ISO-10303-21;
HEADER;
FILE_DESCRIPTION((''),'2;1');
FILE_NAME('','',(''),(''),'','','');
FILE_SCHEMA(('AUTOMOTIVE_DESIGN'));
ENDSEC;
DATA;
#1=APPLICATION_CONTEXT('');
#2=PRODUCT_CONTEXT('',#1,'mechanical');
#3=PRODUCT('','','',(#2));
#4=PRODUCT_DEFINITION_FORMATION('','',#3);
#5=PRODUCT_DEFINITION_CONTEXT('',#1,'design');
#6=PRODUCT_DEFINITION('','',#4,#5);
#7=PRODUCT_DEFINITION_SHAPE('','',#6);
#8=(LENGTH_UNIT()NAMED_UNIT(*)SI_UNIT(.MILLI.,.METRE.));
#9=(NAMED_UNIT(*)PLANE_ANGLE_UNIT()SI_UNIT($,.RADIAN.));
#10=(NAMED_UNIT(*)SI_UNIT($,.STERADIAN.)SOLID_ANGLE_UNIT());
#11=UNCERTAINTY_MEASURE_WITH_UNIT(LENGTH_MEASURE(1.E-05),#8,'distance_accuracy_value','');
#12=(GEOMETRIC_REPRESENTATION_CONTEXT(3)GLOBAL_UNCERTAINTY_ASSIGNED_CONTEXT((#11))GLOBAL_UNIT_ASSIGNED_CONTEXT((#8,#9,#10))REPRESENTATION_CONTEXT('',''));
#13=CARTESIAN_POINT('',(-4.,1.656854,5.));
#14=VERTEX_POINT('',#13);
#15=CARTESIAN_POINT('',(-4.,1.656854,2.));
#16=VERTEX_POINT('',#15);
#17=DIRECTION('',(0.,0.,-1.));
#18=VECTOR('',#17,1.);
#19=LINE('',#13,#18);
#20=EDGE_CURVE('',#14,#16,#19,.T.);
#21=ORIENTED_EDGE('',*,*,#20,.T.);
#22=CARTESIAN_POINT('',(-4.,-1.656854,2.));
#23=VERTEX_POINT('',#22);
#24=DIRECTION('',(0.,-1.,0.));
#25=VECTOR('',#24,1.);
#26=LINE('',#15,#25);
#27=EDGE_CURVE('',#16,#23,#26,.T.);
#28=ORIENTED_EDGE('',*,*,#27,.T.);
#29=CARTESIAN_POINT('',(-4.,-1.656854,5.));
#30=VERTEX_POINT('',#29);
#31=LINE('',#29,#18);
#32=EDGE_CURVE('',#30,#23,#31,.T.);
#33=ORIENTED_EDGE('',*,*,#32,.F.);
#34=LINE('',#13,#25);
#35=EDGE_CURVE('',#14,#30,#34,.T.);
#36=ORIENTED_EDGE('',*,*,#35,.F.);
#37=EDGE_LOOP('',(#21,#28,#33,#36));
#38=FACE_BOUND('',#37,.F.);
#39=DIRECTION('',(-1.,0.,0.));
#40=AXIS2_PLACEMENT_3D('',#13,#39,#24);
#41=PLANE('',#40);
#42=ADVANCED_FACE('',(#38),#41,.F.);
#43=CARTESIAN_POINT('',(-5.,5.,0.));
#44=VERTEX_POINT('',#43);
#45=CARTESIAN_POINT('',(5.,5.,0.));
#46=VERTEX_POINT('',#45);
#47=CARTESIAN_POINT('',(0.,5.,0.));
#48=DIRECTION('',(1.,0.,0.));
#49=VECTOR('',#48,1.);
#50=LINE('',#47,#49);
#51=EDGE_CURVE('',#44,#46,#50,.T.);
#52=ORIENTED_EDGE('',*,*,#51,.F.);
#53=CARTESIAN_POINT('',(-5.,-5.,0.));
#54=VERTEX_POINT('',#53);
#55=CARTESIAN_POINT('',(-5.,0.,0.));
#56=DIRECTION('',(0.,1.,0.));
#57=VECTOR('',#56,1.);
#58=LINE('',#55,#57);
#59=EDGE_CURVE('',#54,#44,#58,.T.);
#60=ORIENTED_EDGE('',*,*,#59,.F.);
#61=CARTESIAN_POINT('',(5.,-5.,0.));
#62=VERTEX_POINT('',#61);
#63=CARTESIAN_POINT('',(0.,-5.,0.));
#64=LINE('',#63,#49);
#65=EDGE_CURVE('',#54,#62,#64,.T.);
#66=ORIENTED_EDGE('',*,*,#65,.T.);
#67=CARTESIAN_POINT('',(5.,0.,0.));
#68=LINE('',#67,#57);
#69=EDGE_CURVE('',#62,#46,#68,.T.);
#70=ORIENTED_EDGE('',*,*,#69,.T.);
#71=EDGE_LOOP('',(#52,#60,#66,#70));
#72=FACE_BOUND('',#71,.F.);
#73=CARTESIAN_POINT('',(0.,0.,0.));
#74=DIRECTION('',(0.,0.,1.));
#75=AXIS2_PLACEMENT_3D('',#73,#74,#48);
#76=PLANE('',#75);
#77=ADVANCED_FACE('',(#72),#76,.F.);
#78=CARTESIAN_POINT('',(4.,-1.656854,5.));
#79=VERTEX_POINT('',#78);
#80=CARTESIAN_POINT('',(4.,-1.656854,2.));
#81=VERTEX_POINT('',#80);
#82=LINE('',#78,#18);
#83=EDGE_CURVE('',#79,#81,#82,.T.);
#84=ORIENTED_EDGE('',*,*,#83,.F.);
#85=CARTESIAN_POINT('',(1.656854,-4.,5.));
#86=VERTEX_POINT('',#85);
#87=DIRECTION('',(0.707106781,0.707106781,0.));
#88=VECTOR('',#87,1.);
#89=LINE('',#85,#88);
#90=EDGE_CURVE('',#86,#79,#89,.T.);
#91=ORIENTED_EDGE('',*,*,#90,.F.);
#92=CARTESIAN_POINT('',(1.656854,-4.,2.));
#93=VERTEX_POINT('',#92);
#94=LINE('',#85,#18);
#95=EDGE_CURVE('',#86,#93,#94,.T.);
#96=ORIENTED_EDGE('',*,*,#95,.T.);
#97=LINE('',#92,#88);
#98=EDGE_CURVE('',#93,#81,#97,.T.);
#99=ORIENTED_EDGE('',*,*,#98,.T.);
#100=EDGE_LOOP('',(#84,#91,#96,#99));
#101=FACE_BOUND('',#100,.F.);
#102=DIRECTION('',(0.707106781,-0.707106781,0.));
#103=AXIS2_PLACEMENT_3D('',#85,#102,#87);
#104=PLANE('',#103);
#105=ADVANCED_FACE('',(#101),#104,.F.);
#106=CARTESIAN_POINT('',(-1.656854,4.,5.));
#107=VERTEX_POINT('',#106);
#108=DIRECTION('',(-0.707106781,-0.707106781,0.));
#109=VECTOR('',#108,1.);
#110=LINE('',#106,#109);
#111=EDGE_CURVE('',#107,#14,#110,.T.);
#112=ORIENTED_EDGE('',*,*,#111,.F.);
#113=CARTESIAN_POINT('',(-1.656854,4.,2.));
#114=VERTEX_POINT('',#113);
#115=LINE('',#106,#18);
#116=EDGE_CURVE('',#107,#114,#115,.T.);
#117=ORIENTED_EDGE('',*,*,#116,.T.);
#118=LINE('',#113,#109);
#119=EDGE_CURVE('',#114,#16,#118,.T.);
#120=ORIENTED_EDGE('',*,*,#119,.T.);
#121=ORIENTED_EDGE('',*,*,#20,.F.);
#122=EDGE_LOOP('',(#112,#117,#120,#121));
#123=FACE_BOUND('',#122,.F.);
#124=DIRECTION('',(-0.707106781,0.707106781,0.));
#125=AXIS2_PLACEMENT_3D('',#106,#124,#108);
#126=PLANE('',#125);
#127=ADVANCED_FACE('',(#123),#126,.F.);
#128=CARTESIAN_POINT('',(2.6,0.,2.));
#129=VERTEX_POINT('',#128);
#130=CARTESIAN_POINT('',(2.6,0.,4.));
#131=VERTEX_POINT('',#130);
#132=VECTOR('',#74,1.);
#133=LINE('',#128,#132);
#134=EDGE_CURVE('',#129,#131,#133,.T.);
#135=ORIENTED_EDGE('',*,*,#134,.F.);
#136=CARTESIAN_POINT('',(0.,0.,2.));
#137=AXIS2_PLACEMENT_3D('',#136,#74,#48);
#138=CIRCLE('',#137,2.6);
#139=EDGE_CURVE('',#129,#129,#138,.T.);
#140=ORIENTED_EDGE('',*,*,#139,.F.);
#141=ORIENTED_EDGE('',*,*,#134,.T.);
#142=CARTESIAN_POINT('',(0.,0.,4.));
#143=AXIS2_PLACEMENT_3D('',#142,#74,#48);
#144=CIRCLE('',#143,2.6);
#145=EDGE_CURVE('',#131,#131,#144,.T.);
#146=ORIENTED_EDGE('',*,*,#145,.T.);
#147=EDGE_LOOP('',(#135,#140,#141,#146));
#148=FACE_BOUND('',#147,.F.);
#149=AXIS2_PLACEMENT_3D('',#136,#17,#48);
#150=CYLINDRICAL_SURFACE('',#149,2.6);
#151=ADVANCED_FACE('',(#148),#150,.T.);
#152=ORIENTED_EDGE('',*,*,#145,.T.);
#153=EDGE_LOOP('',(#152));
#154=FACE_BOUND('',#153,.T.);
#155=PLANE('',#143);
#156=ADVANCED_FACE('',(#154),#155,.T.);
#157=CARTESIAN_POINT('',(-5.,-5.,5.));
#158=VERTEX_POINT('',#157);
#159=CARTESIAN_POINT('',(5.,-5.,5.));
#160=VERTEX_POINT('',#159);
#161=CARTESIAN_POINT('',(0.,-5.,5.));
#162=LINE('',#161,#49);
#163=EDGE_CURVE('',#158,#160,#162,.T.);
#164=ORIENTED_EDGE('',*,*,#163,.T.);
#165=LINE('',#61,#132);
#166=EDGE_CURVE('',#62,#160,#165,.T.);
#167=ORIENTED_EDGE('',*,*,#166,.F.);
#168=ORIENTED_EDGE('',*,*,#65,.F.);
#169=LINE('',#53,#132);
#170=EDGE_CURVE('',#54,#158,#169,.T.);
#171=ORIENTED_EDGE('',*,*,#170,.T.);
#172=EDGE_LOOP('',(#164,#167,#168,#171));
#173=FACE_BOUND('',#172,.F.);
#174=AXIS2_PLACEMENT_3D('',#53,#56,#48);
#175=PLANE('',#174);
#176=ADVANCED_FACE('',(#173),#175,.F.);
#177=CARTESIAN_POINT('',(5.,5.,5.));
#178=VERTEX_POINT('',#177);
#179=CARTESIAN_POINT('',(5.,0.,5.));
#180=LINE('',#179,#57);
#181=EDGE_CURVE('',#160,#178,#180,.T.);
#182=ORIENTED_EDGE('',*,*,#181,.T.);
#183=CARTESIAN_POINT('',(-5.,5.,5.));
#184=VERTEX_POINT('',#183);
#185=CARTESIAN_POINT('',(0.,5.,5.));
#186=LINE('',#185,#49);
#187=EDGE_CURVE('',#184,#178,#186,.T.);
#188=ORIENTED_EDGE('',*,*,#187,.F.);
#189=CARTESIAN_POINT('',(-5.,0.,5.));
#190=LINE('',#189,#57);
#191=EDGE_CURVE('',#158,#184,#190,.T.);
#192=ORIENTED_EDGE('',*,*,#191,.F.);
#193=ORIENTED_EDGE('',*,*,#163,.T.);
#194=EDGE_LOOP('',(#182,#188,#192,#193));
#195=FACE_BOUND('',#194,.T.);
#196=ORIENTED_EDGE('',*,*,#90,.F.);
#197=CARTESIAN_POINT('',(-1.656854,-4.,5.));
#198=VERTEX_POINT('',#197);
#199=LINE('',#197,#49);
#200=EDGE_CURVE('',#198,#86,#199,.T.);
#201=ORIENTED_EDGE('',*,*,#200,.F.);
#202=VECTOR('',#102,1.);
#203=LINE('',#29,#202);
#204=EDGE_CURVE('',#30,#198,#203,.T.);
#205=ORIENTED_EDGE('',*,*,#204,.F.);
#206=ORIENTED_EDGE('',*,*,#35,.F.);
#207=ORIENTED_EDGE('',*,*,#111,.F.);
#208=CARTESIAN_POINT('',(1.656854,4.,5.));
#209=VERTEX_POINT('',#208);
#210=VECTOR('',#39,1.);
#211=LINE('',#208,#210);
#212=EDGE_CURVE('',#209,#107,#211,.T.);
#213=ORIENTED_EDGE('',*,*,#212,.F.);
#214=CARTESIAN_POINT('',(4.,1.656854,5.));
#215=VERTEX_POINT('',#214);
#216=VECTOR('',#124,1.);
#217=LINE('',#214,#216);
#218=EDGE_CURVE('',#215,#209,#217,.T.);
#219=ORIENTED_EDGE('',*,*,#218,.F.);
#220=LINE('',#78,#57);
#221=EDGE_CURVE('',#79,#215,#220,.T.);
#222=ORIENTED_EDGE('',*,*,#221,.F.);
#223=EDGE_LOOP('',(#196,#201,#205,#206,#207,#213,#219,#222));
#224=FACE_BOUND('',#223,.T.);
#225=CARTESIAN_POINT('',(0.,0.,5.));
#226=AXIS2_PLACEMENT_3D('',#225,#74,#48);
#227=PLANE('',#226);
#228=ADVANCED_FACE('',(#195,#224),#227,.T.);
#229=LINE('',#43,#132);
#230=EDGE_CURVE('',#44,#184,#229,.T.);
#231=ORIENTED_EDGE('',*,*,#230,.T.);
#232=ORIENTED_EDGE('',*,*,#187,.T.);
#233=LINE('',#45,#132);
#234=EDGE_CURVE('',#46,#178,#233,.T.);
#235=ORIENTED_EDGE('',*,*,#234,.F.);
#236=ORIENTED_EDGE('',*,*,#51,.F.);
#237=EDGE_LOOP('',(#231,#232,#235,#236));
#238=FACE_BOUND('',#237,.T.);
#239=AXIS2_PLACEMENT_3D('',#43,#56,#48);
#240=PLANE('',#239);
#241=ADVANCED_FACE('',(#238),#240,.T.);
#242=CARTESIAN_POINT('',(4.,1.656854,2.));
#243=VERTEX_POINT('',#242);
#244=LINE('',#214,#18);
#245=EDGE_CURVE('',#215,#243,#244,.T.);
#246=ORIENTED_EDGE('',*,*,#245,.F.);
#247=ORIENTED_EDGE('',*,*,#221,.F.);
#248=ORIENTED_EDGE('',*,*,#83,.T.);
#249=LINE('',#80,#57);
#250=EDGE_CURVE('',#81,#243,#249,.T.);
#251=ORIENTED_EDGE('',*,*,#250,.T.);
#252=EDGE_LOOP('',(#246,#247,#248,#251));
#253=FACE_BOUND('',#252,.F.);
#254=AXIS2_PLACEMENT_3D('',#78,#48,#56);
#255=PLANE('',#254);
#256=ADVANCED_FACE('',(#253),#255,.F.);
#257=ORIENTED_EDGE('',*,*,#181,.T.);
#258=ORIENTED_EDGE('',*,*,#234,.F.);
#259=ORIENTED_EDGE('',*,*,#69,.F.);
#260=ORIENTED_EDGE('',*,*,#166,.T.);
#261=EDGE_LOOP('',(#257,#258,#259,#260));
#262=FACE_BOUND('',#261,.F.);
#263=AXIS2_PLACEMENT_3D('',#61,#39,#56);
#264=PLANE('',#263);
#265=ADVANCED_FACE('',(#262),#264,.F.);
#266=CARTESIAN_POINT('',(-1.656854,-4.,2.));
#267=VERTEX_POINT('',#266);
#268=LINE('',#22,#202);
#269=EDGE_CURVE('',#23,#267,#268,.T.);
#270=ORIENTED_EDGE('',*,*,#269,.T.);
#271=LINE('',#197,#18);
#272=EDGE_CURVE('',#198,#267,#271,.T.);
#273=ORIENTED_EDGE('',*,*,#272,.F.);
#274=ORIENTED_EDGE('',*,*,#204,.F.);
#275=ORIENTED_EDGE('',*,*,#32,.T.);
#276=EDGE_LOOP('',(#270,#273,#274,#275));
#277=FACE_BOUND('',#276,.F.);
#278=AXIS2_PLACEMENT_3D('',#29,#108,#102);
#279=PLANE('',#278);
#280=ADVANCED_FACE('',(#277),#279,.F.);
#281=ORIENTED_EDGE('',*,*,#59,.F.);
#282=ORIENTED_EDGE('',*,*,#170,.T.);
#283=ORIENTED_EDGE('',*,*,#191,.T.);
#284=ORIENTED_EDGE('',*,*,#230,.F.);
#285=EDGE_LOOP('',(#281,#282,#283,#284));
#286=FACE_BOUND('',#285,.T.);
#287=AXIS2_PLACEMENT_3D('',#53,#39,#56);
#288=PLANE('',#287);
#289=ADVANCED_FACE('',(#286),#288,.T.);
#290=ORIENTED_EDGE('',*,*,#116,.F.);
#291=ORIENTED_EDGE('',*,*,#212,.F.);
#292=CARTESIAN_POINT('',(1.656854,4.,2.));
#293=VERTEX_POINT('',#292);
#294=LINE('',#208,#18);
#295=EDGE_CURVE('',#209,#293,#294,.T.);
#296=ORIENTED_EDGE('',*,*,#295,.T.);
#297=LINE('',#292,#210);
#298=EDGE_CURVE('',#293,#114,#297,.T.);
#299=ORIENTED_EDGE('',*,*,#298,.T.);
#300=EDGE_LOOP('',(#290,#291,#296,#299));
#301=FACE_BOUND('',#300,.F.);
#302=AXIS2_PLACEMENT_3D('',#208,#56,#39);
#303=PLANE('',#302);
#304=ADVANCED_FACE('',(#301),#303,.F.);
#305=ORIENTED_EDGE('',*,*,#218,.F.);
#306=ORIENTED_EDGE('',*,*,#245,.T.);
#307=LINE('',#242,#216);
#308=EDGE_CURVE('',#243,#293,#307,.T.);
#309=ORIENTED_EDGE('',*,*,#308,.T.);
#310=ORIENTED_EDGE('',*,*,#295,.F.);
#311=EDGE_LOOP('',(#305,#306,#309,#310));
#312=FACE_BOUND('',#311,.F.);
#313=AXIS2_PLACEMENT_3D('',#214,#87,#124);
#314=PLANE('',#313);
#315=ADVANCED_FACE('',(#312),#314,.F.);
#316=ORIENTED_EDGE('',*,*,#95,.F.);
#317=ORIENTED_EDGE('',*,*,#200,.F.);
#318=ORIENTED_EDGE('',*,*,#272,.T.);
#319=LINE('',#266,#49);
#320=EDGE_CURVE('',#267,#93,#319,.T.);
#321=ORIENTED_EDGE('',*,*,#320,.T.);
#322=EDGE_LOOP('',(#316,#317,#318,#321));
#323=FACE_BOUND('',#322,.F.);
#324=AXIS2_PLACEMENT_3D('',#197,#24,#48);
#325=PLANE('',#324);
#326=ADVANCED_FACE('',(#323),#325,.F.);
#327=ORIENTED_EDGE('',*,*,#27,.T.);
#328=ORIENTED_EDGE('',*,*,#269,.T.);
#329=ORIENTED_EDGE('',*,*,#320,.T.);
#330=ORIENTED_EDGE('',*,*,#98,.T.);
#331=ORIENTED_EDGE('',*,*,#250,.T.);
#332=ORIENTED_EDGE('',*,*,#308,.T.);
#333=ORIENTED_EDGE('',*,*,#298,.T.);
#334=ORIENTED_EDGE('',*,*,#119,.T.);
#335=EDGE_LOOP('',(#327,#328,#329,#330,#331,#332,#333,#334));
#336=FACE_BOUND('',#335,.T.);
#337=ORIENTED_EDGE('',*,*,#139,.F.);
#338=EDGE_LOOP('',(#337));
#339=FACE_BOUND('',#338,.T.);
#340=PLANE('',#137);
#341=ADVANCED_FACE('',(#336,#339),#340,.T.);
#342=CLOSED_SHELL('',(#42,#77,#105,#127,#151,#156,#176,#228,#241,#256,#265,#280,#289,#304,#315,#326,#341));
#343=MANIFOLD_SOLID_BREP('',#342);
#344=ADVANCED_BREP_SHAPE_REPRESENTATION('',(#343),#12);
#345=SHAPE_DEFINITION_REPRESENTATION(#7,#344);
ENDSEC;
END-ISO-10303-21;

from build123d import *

# Parameters (mm, degrees)
F0_W     = 10
F0_H     = 10
F1_DEPTH = 5
F3_DEPTH = 3
F4_R     = 2.6
F5_DEPTH = 2


with BuildPart() as f1:
    # F0 (on Top) → F1 (new body)
    with BuildSketch(Plane.XY):
        Rectangle(F0_W, F0_H)
    extrude(amount=F1_DEPTH)

    # F2 (on face) → F3 (cut)
    with BuildSketch(Plane.XY.offset(5)):
        Polygon((-4, 1.656854), (-4, -1.656854), (-1.656854, -4), (1.656854, -4), (4, -1.656854), (4, 1.656854), (1.656854, 4), (-1.656854, 4), align=None)
    extrude(amount=-F3_DEPTH, mode=Mode.SUBTRACT)

    # F4 (on face) → F5 (join)
    with BuildSketch(Plane.XY.offset(2)):
        Circle(F4_R)
    extrude(amount=F5_DEPTH)


solid = f1.part
